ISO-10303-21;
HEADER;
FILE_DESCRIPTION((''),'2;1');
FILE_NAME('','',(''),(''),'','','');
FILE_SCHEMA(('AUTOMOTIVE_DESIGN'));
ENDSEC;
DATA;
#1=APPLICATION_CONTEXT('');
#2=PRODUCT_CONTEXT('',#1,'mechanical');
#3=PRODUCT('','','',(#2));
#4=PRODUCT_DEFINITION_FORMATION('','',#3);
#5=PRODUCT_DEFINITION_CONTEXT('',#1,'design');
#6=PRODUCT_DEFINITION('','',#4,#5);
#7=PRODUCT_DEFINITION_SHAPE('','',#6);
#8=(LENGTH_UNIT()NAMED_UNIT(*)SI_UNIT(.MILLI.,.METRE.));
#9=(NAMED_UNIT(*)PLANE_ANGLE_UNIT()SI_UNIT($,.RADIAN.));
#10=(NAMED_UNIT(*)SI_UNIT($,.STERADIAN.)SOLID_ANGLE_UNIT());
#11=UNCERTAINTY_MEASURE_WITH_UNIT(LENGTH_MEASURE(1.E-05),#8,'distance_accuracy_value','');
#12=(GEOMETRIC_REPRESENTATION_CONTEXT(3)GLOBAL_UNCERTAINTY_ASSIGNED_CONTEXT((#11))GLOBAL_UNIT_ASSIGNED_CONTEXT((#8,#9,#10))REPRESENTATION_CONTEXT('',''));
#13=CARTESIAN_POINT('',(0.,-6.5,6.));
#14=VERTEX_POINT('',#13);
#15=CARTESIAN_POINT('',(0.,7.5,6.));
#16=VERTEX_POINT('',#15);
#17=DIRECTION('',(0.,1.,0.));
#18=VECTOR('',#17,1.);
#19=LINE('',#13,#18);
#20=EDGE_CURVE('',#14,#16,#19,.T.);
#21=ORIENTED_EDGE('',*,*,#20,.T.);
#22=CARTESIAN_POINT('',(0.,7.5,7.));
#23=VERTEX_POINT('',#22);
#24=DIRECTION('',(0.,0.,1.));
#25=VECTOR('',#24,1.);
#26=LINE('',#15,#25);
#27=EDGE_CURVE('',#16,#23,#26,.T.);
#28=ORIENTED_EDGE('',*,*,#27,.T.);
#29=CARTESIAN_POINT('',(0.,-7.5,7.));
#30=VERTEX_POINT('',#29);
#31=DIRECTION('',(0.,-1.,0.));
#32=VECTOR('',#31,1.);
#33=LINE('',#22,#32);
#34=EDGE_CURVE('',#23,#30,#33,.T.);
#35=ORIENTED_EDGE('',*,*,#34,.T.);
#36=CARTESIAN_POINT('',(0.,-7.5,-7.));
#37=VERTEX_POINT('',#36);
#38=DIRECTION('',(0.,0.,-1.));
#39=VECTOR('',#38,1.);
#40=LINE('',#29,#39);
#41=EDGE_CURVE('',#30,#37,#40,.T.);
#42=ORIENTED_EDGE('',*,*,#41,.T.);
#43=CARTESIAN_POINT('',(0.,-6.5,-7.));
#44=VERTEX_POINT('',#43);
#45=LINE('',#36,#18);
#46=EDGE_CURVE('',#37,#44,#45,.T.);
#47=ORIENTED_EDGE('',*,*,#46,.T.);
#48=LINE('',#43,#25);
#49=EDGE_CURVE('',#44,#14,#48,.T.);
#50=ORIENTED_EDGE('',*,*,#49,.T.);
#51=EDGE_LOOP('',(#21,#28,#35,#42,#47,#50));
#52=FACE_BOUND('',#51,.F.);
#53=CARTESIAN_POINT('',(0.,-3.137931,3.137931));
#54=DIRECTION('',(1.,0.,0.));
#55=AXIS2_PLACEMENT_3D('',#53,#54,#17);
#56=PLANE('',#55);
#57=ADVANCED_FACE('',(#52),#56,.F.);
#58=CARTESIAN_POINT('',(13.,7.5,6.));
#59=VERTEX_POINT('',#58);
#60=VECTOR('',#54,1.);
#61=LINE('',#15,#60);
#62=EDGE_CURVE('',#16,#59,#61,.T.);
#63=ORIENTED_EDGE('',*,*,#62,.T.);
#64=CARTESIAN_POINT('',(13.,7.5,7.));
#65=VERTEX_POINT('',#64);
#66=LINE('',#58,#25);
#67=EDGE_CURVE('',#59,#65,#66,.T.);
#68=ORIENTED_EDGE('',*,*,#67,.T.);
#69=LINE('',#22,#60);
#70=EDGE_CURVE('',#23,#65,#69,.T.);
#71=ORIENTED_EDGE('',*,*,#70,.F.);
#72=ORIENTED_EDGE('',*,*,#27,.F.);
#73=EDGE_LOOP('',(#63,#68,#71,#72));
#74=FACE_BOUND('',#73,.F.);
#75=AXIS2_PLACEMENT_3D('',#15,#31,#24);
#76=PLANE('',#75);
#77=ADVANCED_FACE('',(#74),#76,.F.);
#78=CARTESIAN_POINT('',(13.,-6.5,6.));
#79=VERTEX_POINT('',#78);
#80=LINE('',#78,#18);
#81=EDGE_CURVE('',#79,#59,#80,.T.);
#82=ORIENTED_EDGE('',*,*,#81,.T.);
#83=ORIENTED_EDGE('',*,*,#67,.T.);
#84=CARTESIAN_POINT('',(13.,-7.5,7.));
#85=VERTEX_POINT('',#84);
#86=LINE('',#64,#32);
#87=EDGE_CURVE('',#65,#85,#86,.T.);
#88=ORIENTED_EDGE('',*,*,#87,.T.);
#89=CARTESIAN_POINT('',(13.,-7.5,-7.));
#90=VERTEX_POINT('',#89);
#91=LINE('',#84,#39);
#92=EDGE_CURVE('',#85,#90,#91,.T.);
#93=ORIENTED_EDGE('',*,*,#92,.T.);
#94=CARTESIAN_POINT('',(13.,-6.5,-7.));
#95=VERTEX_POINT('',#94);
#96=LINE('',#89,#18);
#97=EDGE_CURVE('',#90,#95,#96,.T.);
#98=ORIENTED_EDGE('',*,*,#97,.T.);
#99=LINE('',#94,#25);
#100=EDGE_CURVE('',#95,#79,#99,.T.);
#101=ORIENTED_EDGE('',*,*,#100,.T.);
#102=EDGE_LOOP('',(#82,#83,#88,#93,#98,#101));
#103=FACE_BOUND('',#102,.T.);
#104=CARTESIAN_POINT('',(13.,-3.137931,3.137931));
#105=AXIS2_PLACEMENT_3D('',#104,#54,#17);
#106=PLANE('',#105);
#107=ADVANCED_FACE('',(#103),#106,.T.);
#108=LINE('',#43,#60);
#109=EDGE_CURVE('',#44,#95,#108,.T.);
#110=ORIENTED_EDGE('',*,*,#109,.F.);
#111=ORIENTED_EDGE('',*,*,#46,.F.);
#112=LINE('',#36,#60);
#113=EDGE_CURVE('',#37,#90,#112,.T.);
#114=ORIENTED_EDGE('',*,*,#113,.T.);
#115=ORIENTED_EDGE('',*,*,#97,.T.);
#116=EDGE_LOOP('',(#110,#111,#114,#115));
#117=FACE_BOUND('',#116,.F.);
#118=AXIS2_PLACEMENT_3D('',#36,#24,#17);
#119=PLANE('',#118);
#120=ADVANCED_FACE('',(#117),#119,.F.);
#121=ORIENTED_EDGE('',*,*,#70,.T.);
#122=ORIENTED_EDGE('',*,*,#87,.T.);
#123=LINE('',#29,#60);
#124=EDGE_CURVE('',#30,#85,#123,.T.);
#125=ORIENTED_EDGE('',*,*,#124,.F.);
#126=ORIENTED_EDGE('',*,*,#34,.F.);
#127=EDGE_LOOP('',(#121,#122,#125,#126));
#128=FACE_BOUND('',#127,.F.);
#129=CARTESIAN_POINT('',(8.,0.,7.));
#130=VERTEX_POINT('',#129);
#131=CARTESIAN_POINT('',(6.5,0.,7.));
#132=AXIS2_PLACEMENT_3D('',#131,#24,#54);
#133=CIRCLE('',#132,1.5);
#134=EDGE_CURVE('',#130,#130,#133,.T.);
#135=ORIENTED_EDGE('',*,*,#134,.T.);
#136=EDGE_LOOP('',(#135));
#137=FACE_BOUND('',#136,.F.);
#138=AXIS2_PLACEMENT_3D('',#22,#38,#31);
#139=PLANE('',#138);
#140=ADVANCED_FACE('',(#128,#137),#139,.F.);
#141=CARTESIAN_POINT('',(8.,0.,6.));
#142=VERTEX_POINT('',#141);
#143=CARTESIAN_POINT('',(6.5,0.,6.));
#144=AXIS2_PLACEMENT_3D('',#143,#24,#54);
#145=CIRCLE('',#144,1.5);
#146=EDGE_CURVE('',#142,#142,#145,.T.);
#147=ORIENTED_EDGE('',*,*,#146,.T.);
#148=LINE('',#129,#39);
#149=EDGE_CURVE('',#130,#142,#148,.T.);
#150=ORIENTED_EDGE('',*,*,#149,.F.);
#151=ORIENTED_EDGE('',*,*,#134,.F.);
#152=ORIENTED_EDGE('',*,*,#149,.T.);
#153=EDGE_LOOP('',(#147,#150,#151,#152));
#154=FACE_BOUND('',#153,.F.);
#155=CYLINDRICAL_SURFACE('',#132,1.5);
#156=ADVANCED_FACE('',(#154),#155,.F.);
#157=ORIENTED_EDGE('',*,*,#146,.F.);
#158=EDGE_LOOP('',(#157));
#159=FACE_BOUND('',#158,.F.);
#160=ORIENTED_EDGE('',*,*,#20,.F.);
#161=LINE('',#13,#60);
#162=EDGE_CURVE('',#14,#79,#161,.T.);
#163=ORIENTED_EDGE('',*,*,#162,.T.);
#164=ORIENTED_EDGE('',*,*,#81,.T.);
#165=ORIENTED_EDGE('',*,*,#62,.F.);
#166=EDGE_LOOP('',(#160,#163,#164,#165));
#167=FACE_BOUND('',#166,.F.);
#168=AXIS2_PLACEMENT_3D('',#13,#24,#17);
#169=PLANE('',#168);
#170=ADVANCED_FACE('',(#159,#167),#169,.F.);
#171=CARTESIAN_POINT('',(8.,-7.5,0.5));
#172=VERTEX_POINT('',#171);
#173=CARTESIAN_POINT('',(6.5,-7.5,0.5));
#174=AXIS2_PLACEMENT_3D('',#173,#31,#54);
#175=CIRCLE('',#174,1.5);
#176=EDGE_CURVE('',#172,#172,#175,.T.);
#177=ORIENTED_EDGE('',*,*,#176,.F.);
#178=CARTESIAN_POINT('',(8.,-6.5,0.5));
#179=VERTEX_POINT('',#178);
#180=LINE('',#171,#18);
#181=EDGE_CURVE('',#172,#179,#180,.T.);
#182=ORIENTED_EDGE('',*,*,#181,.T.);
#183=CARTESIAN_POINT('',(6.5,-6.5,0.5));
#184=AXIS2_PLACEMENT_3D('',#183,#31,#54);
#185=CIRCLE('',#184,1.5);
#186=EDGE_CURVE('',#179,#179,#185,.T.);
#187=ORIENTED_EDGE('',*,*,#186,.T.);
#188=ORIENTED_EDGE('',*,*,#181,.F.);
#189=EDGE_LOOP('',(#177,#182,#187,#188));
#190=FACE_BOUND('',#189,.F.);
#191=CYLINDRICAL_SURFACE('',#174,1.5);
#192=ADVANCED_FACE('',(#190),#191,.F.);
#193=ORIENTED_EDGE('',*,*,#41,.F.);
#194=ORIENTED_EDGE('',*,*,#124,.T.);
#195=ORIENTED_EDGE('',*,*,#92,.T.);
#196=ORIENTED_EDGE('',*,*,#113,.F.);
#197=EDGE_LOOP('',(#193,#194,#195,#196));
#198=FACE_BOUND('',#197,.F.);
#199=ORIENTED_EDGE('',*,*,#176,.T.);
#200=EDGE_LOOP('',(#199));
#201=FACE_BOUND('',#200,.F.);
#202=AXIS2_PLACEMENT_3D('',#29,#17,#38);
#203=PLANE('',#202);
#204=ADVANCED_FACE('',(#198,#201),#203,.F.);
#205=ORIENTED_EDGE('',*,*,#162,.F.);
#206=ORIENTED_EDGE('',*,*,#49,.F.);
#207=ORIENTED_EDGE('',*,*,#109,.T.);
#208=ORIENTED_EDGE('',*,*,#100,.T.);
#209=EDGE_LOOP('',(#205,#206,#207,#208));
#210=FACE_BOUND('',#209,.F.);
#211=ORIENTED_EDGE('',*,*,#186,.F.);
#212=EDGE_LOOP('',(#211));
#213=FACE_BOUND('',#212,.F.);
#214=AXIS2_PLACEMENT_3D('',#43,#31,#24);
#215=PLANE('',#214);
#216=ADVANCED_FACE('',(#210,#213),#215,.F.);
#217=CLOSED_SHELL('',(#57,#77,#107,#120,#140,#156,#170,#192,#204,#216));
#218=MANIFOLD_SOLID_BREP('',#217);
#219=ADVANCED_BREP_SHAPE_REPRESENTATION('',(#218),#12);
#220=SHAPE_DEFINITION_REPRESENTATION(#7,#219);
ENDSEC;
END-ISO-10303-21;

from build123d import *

# Parameters (mm, degrees)
F1_DEPTH = 13
F2_R     = 1.5
F3_DEPTH = 1
F4_R     = 1.5
F5_DEPTH = 1


with BuildPart() as f1:
    # F0 (on Right) → F1 (new body)
    with BuildSketch(Plane.YZ):
        Polygon((-7.5, -7), (-6.5, -7), (-6.5, 6), (7.5, 6), (7.5, 7), (-7.5, 7), align=None)
    extrude(amount=F1_DEPTH)

    # F2 (on face) → F3 (cut, through all)
    with BuildSketch(Plane.XY.offset(7)):
        with Locations((6.5, 0)):
            Circle(F2_R)
    extrude(amount=-F3_DEPTH, mode=Mode.SUBTRACT)

    # F4 (on face) → F5 (cut, through all)
    with BuildSketch(Plane.XZ.offset(7.5)):
        with Locations((6.5, 0.5)):
            Circle(F4_R)
    extrude(amount=-F5_DEPTH, mode=Mode.SUBTRACT)


solid = f1.part
